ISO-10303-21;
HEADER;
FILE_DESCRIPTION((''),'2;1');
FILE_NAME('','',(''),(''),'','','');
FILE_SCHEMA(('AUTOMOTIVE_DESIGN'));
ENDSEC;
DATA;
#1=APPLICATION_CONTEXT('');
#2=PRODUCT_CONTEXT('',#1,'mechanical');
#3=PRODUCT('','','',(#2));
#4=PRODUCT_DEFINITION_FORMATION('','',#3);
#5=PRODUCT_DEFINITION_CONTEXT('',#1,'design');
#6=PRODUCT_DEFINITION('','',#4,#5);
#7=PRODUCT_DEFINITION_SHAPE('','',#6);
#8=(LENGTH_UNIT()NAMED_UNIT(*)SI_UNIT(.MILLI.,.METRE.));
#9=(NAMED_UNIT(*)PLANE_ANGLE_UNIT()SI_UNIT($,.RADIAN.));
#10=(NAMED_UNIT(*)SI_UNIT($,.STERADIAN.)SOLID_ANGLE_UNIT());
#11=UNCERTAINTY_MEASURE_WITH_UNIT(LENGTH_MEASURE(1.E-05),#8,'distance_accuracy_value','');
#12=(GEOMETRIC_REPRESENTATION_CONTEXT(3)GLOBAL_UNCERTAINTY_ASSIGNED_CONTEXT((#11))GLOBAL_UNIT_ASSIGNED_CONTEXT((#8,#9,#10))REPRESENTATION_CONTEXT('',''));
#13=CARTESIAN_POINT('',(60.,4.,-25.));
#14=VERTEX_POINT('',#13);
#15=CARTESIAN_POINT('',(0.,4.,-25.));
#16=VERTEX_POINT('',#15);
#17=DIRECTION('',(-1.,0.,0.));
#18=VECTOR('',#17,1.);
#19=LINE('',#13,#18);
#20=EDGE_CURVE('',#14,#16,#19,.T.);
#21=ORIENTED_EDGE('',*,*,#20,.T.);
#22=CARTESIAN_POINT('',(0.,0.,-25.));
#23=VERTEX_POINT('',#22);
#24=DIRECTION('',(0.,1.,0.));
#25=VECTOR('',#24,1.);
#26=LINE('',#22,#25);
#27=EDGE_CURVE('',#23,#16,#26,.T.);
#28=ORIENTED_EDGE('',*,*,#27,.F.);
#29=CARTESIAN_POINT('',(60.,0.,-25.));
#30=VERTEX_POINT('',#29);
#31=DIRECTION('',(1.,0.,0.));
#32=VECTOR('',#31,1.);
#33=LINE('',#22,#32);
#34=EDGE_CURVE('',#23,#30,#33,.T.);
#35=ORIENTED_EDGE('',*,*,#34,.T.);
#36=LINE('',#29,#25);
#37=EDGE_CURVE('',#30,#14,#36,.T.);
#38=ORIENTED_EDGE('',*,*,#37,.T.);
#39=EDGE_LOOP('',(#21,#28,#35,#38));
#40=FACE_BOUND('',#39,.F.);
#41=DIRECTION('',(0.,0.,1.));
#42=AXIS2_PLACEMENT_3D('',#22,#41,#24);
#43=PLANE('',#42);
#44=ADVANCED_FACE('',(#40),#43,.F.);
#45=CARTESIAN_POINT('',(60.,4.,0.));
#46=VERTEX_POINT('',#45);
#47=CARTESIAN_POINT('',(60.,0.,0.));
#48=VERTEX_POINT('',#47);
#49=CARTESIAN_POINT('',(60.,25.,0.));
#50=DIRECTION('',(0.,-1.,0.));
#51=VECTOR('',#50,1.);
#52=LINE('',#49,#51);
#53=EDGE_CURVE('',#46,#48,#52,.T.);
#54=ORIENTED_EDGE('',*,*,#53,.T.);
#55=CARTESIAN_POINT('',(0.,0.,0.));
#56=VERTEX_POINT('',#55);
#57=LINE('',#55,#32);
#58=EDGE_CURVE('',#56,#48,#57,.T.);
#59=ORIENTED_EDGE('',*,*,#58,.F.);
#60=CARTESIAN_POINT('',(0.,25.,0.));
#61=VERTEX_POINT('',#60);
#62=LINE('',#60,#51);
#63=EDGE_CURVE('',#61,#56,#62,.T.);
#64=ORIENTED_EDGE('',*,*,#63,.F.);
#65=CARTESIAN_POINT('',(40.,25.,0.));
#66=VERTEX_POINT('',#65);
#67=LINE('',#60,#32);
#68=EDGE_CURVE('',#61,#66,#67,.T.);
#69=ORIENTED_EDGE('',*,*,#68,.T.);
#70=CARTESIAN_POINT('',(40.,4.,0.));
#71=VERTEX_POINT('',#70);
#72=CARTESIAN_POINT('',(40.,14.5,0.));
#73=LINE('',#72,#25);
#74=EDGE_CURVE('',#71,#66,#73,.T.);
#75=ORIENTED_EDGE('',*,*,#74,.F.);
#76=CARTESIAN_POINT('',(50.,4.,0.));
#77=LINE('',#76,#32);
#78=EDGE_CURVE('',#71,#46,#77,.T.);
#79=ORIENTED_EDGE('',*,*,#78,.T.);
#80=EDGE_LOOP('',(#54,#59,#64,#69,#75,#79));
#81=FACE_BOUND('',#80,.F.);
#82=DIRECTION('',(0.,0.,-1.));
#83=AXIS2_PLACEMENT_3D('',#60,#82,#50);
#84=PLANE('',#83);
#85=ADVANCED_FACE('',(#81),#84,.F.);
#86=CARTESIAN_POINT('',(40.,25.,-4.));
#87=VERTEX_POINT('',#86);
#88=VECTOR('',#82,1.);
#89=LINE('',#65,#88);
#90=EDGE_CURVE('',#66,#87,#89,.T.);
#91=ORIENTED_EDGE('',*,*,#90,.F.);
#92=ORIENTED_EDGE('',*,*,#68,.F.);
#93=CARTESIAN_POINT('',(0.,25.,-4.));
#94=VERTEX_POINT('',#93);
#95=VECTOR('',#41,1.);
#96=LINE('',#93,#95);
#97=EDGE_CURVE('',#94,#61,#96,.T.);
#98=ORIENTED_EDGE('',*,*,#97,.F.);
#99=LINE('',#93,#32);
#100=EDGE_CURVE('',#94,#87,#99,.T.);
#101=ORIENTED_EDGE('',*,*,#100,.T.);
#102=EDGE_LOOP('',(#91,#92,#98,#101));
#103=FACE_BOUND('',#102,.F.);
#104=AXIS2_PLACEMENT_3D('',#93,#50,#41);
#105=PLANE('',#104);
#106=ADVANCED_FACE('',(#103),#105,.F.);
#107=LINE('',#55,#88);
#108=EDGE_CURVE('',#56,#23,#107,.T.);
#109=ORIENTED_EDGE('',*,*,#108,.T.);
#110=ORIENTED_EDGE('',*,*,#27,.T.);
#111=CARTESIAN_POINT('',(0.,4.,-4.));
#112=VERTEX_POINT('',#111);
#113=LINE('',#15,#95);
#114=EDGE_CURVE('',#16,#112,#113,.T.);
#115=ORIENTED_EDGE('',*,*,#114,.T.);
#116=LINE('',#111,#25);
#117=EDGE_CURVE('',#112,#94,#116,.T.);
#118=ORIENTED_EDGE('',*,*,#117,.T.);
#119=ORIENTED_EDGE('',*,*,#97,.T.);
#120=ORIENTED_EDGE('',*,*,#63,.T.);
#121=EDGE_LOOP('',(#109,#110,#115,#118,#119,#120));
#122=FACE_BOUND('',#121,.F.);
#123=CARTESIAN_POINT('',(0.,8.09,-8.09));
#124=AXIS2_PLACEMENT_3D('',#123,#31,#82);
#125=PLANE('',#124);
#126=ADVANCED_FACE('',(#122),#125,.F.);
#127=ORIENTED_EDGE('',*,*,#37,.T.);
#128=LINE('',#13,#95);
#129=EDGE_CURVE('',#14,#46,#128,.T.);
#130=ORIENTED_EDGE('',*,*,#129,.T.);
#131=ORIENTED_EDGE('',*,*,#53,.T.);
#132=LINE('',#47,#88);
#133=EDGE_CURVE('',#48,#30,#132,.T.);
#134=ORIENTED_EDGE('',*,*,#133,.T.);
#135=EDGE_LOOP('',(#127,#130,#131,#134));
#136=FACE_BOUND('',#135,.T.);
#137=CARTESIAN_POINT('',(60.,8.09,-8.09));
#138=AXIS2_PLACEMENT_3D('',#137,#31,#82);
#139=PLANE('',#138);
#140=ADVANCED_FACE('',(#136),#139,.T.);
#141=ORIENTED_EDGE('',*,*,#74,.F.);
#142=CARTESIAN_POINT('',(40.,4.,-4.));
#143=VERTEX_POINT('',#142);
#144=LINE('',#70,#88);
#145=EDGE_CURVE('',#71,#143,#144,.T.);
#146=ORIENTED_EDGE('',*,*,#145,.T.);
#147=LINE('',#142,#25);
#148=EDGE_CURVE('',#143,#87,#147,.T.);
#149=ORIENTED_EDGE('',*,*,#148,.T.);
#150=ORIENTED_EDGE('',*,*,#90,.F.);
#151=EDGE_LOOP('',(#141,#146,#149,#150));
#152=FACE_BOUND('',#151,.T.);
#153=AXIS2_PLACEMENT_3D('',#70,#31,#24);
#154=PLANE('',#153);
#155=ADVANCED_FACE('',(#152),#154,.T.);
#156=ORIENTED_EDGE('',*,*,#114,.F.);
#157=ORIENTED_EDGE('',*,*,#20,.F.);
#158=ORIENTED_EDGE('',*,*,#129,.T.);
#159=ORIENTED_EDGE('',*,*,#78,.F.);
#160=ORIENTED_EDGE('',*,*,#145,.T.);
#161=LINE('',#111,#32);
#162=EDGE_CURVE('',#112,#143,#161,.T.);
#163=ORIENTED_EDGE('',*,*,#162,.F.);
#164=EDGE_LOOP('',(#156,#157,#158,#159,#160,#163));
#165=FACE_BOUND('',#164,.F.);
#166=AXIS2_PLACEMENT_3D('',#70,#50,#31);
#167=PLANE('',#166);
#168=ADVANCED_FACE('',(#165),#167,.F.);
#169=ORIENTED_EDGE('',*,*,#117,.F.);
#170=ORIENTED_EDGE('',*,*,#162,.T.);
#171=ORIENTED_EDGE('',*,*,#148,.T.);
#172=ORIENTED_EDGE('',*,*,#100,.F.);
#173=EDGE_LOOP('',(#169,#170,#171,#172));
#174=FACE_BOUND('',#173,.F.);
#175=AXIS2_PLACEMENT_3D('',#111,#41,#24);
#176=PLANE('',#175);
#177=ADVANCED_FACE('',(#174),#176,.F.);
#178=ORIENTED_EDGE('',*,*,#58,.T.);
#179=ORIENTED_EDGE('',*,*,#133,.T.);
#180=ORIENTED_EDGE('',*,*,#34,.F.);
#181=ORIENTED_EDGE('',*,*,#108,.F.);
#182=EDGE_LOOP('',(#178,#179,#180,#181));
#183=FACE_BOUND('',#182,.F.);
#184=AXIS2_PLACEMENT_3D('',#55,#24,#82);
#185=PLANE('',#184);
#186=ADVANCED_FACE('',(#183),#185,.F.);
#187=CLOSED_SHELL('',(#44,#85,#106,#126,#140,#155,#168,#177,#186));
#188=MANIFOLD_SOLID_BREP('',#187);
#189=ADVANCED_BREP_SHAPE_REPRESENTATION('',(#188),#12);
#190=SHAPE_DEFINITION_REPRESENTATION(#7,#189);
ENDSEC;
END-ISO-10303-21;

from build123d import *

# Parameters (mm, degrees)
EXTRUDE_1_DEPTH     = 60
SKETCH_2_W          = 20
SKETCH_2_H          = 21
CUT_EXTRUDE_1_DEPTH = 26


with BuildPart() as part:
    # Эскиз1 → Вытянуть-Тонкостенный1 (new body)
    with BuildSketch(Plane(origin=(0, 0, 0), x_dir=(0, 0, -1), z_dir=(1, 0, 0))):
        Polygon((0, 25), (0, 0), (25, 0), (25, 4), (4, 4), (4, 25), align=None)
    extrude(amount=EXTRUDE_1_DEPTH)

    # Эскиз2 → Вырез-Вытянуть1 (cut, through all)
    with BuildSketch(Plane.XY):
        with Locations((50, 14.5)):
            Rectangle(SKETCH_2_W, SKETCH_2_H)
    extrude(amount=-CUT_EXTRUDE_1_DEPTH, mode=Mode.SUBTRACT)


solid = part.part
